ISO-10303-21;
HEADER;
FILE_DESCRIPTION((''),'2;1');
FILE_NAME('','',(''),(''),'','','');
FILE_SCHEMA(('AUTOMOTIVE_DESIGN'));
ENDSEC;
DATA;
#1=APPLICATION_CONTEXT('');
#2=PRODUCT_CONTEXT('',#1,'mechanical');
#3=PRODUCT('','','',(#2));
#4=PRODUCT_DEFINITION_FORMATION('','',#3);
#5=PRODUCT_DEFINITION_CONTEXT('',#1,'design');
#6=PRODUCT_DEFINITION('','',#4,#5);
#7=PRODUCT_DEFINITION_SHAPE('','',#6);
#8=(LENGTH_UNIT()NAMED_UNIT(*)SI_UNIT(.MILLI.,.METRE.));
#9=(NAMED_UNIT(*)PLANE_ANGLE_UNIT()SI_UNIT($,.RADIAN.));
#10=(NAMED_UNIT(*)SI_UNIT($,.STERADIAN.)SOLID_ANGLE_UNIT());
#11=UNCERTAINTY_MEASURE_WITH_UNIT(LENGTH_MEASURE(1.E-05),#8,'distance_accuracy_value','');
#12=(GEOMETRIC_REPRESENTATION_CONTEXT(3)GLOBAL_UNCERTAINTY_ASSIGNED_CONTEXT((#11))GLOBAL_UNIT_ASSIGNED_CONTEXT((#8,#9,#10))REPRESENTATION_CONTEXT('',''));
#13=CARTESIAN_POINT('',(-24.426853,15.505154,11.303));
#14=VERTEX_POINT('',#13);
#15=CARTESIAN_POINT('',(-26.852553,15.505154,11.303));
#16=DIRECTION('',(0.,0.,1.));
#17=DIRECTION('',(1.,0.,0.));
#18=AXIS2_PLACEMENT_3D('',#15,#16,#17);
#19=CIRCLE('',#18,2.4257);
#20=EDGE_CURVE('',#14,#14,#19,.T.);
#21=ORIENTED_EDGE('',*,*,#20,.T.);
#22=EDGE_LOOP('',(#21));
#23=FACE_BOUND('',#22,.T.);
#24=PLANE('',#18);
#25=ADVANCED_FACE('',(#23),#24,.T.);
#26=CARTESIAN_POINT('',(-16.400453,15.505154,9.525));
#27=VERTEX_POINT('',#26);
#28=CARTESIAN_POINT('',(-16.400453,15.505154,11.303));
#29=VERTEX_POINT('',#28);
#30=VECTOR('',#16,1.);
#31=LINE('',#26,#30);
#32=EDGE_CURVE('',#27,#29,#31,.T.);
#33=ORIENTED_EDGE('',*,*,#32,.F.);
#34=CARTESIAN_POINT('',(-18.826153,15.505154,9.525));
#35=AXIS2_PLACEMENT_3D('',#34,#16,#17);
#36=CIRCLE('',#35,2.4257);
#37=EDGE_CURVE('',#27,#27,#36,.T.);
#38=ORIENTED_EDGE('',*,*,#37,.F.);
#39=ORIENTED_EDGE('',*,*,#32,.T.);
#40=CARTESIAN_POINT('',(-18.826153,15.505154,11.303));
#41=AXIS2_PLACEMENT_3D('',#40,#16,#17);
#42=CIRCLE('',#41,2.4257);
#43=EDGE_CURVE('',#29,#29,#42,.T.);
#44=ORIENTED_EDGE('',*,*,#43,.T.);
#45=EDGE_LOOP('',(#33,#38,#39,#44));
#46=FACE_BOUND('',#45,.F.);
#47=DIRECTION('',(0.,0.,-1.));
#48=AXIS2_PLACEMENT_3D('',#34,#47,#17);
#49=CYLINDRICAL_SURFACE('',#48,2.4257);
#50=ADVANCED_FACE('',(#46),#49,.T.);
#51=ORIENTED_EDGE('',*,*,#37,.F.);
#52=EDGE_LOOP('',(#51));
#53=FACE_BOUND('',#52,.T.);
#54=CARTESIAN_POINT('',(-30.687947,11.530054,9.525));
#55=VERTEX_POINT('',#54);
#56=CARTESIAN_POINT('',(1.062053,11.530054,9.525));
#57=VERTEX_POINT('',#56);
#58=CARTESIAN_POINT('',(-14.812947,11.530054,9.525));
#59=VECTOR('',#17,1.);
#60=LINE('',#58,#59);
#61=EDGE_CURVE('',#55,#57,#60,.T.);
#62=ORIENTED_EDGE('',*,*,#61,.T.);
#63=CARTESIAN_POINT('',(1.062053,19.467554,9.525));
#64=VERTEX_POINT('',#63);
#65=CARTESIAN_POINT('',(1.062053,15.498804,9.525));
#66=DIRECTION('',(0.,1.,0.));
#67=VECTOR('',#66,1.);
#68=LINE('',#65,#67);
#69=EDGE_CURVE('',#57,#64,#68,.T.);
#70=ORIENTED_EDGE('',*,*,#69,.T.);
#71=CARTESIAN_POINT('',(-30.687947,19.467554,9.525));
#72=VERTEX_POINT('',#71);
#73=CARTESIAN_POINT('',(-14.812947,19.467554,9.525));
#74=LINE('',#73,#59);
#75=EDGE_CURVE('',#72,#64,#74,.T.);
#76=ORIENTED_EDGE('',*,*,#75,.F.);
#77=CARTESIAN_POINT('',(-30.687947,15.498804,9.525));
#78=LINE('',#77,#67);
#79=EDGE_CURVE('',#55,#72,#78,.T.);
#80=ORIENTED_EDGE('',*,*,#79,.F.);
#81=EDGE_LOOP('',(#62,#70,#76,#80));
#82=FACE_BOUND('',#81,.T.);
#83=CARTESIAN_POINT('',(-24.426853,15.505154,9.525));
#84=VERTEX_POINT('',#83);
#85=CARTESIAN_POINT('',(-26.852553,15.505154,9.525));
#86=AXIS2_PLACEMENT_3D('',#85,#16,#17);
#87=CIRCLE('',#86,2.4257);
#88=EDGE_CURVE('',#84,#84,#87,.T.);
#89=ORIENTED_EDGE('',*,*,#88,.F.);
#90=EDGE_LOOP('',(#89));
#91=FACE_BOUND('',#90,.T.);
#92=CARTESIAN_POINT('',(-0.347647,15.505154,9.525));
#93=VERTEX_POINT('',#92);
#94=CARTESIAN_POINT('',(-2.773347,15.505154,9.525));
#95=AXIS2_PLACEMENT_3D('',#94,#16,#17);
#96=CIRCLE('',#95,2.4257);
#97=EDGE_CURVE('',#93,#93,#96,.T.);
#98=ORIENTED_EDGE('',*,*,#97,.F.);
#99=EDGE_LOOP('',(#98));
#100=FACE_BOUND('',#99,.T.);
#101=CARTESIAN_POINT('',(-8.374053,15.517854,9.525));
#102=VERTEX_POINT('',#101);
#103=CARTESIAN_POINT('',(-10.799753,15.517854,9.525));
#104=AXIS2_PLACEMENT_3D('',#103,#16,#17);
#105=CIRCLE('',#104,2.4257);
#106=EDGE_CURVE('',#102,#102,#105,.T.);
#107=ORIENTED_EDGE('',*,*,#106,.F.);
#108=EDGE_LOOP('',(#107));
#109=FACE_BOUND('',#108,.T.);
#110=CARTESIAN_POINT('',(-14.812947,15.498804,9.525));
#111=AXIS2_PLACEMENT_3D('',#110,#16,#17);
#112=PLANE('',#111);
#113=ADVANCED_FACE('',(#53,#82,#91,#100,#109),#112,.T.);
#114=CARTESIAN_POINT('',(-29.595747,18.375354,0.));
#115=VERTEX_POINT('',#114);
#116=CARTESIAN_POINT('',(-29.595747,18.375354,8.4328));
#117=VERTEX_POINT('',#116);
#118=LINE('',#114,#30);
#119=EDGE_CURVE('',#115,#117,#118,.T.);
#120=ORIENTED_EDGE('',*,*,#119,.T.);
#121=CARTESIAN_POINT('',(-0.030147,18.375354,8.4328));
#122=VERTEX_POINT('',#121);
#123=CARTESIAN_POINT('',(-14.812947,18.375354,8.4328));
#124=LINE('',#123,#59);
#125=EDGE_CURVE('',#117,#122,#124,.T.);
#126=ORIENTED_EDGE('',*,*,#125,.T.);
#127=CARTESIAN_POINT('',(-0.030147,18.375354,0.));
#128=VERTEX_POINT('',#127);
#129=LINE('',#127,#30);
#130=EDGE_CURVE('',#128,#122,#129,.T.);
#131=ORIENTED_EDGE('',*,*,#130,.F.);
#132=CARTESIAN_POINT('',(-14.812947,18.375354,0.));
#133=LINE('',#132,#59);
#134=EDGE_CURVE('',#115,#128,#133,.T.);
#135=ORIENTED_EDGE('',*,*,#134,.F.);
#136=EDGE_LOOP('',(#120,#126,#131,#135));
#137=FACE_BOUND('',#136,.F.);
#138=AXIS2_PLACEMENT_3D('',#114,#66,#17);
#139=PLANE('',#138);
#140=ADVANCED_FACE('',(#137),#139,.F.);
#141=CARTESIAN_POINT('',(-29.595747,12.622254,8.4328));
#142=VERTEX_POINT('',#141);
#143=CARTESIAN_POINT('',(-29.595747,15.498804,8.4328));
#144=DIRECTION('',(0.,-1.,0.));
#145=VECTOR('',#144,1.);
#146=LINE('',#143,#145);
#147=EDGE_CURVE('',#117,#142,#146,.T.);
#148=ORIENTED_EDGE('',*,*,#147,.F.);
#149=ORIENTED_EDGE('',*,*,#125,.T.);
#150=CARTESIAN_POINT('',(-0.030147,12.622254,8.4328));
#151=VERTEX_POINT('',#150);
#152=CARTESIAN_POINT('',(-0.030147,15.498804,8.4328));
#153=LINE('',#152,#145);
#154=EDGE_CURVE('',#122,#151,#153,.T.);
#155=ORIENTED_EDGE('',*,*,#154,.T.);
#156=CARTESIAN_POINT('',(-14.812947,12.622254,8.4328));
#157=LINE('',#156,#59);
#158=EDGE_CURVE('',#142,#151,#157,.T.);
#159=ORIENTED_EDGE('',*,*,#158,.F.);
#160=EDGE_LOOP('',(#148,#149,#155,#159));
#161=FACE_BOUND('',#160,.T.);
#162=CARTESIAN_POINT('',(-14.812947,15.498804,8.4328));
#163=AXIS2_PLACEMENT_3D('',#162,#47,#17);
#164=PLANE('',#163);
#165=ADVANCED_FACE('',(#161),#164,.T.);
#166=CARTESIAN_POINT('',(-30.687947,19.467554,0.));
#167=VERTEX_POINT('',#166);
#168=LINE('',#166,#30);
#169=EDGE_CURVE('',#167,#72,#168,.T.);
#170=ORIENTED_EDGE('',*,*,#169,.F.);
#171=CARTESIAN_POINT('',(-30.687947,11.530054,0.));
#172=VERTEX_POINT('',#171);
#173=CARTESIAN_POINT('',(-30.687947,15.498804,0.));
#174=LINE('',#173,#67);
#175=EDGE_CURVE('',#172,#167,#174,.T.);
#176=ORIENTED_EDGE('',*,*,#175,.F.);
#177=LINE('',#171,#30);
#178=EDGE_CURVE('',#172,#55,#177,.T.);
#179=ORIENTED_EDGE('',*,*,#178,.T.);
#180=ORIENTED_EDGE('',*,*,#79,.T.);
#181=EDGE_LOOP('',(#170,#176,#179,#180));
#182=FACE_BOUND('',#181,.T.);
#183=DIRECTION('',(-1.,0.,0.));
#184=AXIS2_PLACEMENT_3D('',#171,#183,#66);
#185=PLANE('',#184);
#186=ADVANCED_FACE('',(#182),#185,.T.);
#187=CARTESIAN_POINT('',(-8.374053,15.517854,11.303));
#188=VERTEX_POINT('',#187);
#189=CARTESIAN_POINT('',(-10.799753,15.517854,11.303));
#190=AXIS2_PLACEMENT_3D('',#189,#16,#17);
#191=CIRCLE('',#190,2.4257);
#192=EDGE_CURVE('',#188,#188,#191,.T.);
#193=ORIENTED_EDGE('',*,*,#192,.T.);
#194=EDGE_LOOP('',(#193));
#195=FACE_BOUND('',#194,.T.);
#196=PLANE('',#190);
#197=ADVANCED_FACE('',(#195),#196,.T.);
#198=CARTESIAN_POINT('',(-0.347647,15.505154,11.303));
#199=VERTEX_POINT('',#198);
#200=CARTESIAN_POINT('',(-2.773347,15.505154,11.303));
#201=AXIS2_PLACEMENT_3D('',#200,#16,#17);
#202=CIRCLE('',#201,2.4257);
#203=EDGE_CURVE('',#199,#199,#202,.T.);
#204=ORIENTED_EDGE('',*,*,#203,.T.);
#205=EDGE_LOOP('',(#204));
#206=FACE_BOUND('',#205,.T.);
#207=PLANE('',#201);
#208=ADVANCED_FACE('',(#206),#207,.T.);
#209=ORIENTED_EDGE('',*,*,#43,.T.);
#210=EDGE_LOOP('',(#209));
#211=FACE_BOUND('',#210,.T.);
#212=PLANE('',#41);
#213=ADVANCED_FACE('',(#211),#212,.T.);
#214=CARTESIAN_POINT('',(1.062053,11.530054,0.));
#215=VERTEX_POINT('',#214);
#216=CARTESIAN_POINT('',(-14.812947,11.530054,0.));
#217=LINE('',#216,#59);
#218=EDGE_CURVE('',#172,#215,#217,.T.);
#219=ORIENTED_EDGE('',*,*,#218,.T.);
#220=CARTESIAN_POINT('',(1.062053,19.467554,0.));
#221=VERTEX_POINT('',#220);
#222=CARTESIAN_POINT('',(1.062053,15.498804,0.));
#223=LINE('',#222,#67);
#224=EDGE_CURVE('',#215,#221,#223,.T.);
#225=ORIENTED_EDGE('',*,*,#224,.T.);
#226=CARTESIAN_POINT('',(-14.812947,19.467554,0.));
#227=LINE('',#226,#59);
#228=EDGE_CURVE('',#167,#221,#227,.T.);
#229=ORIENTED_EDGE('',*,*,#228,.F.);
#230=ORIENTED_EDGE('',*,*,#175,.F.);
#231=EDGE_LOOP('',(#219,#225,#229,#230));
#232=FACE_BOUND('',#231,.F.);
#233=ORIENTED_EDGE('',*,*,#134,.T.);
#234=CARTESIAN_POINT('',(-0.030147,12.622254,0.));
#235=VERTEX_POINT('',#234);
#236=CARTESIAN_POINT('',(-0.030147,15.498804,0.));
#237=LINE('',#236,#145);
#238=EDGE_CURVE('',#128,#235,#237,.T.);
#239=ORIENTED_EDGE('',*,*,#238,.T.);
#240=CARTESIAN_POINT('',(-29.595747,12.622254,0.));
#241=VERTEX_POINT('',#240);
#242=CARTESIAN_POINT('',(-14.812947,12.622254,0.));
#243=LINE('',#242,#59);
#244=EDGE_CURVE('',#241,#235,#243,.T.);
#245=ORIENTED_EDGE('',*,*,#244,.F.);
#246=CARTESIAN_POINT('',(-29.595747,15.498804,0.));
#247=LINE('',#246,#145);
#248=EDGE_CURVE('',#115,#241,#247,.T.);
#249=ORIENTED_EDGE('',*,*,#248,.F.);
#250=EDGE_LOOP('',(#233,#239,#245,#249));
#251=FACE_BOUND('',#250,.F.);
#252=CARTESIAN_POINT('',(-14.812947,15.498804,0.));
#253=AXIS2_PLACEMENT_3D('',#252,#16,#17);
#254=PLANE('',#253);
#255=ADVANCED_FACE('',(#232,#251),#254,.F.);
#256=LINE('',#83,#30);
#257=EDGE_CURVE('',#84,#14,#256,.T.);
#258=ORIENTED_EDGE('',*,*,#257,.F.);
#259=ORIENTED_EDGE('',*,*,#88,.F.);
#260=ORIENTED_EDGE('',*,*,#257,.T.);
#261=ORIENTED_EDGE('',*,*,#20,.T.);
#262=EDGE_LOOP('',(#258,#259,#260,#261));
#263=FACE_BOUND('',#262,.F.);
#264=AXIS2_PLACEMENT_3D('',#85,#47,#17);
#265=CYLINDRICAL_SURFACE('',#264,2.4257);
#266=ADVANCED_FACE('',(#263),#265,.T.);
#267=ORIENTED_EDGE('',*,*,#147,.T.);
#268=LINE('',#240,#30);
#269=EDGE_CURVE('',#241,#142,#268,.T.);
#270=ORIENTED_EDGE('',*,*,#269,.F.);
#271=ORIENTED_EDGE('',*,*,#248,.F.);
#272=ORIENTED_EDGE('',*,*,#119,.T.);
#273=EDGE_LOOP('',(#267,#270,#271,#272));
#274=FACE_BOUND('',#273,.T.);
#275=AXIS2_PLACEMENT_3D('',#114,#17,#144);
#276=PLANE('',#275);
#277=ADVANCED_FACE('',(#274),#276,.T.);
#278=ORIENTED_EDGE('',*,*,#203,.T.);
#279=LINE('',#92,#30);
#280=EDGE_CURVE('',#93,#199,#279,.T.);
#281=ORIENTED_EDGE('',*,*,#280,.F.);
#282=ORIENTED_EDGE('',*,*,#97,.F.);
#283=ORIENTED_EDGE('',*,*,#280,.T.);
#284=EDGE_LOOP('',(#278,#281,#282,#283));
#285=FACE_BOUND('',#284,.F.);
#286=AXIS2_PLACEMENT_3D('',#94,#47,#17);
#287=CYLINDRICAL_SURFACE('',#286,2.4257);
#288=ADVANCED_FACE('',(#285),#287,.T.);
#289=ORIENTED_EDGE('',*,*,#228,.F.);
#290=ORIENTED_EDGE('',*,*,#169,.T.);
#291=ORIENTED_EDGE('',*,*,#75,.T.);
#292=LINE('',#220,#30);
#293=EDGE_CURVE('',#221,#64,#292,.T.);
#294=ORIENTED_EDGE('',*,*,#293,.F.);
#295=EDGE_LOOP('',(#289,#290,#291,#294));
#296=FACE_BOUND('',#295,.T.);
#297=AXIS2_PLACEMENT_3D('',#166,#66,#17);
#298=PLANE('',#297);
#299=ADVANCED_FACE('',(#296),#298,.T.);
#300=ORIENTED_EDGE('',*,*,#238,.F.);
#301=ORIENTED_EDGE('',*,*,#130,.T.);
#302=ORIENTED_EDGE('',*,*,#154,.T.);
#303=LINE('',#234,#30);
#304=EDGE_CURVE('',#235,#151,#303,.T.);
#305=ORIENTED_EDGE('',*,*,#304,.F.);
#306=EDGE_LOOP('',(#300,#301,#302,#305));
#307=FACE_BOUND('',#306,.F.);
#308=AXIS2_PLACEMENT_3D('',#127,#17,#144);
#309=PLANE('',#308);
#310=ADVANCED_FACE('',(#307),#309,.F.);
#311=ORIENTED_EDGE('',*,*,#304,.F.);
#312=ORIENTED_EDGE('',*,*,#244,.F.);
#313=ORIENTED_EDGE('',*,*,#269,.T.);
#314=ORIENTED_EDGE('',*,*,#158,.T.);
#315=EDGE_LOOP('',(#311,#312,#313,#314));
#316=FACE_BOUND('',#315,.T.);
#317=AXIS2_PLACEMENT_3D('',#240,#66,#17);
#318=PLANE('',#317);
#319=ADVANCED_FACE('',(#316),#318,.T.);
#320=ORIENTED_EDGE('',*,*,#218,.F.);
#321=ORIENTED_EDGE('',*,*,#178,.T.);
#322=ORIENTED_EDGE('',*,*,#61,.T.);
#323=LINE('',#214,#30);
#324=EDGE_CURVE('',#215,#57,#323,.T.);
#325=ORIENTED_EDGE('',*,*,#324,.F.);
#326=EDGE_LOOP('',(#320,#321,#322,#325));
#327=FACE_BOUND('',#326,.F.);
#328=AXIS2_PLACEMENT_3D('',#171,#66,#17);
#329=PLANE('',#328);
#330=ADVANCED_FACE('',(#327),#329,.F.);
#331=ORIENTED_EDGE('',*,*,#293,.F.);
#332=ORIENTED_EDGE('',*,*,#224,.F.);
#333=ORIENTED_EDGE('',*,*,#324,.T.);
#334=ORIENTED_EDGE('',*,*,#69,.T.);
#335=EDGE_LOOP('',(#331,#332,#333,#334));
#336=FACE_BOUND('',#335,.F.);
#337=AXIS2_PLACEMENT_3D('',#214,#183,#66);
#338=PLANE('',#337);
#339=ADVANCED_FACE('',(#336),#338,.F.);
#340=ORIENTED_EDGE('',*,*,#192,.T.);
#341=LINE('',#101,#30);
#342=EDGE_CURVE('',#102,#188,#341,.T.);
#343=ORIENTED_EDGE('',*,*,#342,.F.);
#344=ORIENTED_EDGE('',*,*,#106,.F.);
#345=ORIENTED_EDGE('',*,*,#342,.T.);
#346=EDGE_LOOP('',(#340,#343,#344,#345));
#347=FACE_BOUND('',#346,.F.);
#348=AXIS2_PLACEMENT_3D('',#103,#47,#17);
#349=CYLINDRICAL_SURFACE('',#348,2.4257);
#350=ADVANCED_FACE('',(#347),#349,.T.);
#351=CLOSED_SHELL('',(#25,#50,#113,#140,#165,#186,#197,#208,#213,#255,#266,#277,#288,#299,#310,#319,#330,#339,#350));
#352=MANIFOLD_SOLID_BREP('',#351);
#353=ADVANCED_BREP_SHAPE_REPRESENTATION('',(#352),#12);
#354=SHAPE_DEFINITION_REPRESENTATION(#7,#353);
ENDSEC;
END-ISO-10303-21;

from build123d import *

# Parameters (mm, degrees)
F0_W     = 31.75
F0_H     = 7.9375
F1_DEPTH = 9.525
F2_R     = 2.4257
F3_DEPTH = 1.778
F5_W     = 29.5656
F5_H     = 5.7531
F6_DEPTH = 8.4328


with BuildPart() as f1:
    # F0 (on Top) → F1 (new body)
    with BuildSketch(Plane.XY):
        with Locations((-14.812947, 15.498804)):
            Rectangle(F0_W, F0_H)
    extrude(amount=F1_DEPTH)

    # F2 (on face) → F3 (join)
    with BuildSketch(Plane.XY.offset(9.525)):
        with Locations((-26.852553, 15.505154)):
            Circle(F2_R)
        with Locations((-18.826153, 15.505154)):
            Circle(F2_R)
        with Locations((-10.799753, 15.517854)):
            Circle(F2_R)
        with Locations((-2.773347, 15.505154)):
            Circle(F2_R)
    extrude(amount=F3_DEPTH)

    # F5 (on face) → F6 (cut)
    with BuildSketch(Plane(origin=(0, 0, 0), x_dir=(1, 0, 0), z_dir=(0, 0, -1))):
        with Locations((-14.812947, -15.498804)):
            Rectangle(F5_W, F5_H)
    extrude(amount=-F6_DEPTH, mode=Mode.SUBTRACT)


solid = f1.part
